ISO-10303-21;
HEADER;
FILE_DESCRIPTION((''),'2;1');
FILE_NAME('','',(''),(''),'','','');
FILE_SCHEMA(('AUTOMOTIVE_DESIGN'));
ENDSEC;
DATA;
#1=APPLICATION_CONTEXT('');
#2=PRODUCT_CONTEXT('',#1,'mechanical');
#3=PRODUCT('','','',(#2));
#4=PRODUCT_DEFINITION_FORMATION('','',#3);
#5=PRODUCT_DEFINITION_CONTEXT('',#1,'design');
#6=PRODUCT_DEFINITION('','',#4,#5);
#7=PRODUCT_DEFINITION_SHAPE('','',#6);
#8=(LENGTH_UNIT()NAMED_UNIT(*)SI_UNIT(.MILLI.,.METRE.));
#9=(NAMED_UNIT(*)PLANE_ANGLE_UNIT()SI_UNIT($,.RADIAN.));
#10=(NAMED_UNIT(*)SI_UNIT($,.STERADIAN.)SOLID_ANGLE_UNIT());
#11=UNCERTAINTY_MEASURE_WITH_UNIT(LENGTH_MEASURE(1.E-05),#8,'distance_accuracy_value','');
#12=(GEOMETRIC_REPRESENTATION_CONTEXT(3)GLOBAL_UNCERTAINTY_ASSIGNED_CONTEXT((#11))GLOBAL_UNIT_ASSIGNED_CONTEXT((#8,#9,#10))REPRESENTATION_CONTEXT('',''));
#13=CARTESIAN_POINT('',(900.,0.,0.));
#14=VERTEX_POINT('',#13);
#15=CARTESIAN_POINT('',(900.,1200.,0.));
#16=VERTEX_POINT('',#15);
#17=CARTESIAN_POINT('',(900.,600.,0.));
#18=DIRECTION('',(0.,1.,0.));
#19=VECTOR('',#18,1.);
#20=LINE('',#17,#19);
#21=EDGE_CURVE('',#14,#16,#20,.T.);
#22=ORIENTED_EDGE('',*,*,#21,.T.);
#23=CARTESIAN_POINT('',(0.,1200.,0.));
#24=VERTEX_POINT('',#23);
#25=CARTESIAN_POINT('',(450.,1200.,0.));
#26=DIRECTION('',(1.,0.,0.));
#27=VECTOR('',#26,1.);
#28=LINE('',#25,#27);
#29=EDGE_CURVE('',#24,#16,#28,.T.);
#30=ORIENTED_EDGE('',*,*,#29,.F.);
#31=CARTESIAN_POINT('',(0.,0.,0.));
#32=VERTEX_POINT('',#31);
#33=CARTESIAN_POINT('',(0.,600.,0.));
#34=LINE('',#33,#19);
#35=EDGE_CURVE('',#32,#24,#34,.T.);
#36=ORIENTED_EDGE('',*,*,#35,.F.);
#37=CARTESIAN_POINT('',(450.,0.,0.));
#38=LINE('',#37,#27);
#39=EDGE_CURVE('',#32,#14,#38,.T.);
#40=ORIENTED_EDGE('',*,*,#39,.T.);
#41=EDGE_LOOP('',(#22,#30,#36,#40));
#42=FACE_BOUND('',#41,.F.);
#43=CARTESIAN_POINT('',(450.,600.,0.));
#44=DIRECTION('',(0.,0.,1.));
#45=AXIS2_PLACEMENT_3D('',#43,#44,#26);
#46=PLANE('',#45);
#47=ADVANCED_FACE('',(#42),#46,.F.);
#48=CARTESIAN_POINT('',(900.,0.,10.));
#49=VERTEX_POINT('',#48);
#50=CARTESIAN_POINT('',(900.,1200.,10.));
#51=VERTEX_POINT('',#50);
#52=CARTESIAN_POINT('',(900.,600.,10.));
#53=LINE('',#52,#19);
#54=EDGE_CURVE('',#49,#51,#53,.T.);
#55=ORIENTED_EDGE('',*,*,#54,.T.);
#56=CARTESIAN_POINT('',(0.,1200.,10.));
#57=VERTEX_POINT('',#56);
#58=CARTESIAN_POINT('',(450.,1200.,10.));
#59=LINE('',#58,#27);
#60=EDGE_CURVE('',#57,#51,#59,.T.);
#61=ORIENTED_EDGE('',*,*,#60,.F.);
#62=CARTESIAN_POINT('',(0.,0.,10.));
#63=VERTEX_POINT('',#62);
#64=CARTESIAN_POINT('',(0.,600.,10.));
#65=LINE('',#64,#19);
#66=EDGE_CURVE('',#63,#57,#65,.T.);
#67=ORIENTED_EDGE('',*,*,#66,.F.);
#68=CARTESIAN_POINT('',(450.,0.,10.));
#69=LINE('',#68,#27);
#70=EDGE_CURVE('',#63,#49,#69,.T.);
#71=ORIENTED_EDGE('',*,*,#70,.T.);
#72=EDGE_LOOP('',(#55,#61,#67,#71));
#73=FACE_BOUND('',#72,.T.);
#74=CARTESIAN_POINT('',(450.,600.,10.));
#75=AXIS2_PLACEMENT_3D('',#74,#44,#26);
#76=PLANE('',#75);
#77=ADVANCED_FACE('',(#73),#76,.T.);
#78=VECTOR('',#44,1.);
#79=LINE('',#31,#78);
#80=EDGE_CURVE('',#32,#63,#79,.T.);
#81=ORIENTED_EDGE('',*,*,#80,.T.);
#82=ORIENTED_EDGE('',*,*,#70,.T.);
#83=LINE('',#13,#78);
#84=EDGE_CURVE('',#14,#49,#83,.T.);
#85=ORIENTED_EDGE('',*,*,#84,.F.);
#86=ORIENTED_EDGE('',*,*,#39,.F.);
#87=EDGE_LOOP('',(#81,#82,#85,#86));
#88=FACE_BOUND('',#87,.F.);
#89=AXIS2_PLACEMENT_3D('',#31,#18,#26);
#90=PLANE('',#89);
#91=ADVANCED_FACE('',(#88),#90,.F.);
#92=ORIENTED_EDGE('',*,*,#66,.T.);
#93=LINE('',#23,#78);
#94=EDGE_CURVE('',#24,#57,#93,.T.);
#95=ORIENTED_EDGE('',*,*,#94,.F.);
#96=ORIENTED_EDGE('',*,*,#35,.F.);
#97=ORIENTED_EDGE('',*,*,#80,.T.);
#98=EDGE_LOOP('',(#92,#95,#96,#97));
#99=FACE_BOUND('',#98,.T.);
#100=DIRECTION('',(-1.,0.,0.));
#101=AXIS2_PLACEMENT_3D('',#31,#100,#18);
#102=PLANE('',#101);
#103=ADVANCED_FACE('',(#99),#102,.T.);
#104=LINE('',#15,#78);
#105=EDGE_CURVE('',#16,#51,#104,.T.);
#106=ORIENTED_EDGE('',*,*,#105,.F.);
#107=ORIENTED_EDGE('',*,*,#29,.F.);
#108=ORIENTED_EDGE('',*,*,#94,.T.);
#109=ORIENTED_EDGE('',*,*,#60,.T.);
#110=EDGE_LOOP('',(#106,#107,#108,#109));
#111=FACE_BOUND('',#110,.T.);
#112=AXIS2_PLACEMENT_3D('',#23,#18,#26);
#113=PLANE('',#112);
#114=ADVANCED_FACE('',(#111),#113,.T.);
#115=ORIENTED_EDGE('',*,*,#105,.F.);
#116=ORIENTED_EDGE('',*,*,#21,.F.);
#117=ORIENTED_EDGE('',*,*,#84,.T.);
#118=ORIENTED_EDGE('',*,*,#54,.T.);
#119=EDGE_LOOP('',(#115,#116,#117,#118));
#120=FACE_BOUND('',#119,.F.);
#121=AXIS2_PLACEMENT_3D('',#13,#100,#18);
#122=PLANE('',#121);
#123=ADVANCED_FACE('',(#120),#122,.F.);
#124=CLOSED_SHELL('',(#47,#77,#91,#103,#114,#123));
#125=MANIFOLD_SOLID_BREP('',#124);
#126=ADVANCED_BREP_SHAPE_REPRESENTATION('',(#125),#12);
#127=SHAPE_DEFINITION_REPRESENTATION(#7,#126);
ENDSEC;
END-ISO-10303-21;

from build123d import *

# Parameters (mm, degrees)
SKETCH_W  = 900
SKETCH_H  = 1200
PAD_DEPTH = 10


with BuildPart() as part:
    # Sketch → Pad (new body)
    with BuildSketch(Plane.XY):
        with Locations((450, 600)):
            Rectangle(SKETCH_W, SKETCH_H)
    extrude(amount=PAD_DEPTH)


solid = part.part
